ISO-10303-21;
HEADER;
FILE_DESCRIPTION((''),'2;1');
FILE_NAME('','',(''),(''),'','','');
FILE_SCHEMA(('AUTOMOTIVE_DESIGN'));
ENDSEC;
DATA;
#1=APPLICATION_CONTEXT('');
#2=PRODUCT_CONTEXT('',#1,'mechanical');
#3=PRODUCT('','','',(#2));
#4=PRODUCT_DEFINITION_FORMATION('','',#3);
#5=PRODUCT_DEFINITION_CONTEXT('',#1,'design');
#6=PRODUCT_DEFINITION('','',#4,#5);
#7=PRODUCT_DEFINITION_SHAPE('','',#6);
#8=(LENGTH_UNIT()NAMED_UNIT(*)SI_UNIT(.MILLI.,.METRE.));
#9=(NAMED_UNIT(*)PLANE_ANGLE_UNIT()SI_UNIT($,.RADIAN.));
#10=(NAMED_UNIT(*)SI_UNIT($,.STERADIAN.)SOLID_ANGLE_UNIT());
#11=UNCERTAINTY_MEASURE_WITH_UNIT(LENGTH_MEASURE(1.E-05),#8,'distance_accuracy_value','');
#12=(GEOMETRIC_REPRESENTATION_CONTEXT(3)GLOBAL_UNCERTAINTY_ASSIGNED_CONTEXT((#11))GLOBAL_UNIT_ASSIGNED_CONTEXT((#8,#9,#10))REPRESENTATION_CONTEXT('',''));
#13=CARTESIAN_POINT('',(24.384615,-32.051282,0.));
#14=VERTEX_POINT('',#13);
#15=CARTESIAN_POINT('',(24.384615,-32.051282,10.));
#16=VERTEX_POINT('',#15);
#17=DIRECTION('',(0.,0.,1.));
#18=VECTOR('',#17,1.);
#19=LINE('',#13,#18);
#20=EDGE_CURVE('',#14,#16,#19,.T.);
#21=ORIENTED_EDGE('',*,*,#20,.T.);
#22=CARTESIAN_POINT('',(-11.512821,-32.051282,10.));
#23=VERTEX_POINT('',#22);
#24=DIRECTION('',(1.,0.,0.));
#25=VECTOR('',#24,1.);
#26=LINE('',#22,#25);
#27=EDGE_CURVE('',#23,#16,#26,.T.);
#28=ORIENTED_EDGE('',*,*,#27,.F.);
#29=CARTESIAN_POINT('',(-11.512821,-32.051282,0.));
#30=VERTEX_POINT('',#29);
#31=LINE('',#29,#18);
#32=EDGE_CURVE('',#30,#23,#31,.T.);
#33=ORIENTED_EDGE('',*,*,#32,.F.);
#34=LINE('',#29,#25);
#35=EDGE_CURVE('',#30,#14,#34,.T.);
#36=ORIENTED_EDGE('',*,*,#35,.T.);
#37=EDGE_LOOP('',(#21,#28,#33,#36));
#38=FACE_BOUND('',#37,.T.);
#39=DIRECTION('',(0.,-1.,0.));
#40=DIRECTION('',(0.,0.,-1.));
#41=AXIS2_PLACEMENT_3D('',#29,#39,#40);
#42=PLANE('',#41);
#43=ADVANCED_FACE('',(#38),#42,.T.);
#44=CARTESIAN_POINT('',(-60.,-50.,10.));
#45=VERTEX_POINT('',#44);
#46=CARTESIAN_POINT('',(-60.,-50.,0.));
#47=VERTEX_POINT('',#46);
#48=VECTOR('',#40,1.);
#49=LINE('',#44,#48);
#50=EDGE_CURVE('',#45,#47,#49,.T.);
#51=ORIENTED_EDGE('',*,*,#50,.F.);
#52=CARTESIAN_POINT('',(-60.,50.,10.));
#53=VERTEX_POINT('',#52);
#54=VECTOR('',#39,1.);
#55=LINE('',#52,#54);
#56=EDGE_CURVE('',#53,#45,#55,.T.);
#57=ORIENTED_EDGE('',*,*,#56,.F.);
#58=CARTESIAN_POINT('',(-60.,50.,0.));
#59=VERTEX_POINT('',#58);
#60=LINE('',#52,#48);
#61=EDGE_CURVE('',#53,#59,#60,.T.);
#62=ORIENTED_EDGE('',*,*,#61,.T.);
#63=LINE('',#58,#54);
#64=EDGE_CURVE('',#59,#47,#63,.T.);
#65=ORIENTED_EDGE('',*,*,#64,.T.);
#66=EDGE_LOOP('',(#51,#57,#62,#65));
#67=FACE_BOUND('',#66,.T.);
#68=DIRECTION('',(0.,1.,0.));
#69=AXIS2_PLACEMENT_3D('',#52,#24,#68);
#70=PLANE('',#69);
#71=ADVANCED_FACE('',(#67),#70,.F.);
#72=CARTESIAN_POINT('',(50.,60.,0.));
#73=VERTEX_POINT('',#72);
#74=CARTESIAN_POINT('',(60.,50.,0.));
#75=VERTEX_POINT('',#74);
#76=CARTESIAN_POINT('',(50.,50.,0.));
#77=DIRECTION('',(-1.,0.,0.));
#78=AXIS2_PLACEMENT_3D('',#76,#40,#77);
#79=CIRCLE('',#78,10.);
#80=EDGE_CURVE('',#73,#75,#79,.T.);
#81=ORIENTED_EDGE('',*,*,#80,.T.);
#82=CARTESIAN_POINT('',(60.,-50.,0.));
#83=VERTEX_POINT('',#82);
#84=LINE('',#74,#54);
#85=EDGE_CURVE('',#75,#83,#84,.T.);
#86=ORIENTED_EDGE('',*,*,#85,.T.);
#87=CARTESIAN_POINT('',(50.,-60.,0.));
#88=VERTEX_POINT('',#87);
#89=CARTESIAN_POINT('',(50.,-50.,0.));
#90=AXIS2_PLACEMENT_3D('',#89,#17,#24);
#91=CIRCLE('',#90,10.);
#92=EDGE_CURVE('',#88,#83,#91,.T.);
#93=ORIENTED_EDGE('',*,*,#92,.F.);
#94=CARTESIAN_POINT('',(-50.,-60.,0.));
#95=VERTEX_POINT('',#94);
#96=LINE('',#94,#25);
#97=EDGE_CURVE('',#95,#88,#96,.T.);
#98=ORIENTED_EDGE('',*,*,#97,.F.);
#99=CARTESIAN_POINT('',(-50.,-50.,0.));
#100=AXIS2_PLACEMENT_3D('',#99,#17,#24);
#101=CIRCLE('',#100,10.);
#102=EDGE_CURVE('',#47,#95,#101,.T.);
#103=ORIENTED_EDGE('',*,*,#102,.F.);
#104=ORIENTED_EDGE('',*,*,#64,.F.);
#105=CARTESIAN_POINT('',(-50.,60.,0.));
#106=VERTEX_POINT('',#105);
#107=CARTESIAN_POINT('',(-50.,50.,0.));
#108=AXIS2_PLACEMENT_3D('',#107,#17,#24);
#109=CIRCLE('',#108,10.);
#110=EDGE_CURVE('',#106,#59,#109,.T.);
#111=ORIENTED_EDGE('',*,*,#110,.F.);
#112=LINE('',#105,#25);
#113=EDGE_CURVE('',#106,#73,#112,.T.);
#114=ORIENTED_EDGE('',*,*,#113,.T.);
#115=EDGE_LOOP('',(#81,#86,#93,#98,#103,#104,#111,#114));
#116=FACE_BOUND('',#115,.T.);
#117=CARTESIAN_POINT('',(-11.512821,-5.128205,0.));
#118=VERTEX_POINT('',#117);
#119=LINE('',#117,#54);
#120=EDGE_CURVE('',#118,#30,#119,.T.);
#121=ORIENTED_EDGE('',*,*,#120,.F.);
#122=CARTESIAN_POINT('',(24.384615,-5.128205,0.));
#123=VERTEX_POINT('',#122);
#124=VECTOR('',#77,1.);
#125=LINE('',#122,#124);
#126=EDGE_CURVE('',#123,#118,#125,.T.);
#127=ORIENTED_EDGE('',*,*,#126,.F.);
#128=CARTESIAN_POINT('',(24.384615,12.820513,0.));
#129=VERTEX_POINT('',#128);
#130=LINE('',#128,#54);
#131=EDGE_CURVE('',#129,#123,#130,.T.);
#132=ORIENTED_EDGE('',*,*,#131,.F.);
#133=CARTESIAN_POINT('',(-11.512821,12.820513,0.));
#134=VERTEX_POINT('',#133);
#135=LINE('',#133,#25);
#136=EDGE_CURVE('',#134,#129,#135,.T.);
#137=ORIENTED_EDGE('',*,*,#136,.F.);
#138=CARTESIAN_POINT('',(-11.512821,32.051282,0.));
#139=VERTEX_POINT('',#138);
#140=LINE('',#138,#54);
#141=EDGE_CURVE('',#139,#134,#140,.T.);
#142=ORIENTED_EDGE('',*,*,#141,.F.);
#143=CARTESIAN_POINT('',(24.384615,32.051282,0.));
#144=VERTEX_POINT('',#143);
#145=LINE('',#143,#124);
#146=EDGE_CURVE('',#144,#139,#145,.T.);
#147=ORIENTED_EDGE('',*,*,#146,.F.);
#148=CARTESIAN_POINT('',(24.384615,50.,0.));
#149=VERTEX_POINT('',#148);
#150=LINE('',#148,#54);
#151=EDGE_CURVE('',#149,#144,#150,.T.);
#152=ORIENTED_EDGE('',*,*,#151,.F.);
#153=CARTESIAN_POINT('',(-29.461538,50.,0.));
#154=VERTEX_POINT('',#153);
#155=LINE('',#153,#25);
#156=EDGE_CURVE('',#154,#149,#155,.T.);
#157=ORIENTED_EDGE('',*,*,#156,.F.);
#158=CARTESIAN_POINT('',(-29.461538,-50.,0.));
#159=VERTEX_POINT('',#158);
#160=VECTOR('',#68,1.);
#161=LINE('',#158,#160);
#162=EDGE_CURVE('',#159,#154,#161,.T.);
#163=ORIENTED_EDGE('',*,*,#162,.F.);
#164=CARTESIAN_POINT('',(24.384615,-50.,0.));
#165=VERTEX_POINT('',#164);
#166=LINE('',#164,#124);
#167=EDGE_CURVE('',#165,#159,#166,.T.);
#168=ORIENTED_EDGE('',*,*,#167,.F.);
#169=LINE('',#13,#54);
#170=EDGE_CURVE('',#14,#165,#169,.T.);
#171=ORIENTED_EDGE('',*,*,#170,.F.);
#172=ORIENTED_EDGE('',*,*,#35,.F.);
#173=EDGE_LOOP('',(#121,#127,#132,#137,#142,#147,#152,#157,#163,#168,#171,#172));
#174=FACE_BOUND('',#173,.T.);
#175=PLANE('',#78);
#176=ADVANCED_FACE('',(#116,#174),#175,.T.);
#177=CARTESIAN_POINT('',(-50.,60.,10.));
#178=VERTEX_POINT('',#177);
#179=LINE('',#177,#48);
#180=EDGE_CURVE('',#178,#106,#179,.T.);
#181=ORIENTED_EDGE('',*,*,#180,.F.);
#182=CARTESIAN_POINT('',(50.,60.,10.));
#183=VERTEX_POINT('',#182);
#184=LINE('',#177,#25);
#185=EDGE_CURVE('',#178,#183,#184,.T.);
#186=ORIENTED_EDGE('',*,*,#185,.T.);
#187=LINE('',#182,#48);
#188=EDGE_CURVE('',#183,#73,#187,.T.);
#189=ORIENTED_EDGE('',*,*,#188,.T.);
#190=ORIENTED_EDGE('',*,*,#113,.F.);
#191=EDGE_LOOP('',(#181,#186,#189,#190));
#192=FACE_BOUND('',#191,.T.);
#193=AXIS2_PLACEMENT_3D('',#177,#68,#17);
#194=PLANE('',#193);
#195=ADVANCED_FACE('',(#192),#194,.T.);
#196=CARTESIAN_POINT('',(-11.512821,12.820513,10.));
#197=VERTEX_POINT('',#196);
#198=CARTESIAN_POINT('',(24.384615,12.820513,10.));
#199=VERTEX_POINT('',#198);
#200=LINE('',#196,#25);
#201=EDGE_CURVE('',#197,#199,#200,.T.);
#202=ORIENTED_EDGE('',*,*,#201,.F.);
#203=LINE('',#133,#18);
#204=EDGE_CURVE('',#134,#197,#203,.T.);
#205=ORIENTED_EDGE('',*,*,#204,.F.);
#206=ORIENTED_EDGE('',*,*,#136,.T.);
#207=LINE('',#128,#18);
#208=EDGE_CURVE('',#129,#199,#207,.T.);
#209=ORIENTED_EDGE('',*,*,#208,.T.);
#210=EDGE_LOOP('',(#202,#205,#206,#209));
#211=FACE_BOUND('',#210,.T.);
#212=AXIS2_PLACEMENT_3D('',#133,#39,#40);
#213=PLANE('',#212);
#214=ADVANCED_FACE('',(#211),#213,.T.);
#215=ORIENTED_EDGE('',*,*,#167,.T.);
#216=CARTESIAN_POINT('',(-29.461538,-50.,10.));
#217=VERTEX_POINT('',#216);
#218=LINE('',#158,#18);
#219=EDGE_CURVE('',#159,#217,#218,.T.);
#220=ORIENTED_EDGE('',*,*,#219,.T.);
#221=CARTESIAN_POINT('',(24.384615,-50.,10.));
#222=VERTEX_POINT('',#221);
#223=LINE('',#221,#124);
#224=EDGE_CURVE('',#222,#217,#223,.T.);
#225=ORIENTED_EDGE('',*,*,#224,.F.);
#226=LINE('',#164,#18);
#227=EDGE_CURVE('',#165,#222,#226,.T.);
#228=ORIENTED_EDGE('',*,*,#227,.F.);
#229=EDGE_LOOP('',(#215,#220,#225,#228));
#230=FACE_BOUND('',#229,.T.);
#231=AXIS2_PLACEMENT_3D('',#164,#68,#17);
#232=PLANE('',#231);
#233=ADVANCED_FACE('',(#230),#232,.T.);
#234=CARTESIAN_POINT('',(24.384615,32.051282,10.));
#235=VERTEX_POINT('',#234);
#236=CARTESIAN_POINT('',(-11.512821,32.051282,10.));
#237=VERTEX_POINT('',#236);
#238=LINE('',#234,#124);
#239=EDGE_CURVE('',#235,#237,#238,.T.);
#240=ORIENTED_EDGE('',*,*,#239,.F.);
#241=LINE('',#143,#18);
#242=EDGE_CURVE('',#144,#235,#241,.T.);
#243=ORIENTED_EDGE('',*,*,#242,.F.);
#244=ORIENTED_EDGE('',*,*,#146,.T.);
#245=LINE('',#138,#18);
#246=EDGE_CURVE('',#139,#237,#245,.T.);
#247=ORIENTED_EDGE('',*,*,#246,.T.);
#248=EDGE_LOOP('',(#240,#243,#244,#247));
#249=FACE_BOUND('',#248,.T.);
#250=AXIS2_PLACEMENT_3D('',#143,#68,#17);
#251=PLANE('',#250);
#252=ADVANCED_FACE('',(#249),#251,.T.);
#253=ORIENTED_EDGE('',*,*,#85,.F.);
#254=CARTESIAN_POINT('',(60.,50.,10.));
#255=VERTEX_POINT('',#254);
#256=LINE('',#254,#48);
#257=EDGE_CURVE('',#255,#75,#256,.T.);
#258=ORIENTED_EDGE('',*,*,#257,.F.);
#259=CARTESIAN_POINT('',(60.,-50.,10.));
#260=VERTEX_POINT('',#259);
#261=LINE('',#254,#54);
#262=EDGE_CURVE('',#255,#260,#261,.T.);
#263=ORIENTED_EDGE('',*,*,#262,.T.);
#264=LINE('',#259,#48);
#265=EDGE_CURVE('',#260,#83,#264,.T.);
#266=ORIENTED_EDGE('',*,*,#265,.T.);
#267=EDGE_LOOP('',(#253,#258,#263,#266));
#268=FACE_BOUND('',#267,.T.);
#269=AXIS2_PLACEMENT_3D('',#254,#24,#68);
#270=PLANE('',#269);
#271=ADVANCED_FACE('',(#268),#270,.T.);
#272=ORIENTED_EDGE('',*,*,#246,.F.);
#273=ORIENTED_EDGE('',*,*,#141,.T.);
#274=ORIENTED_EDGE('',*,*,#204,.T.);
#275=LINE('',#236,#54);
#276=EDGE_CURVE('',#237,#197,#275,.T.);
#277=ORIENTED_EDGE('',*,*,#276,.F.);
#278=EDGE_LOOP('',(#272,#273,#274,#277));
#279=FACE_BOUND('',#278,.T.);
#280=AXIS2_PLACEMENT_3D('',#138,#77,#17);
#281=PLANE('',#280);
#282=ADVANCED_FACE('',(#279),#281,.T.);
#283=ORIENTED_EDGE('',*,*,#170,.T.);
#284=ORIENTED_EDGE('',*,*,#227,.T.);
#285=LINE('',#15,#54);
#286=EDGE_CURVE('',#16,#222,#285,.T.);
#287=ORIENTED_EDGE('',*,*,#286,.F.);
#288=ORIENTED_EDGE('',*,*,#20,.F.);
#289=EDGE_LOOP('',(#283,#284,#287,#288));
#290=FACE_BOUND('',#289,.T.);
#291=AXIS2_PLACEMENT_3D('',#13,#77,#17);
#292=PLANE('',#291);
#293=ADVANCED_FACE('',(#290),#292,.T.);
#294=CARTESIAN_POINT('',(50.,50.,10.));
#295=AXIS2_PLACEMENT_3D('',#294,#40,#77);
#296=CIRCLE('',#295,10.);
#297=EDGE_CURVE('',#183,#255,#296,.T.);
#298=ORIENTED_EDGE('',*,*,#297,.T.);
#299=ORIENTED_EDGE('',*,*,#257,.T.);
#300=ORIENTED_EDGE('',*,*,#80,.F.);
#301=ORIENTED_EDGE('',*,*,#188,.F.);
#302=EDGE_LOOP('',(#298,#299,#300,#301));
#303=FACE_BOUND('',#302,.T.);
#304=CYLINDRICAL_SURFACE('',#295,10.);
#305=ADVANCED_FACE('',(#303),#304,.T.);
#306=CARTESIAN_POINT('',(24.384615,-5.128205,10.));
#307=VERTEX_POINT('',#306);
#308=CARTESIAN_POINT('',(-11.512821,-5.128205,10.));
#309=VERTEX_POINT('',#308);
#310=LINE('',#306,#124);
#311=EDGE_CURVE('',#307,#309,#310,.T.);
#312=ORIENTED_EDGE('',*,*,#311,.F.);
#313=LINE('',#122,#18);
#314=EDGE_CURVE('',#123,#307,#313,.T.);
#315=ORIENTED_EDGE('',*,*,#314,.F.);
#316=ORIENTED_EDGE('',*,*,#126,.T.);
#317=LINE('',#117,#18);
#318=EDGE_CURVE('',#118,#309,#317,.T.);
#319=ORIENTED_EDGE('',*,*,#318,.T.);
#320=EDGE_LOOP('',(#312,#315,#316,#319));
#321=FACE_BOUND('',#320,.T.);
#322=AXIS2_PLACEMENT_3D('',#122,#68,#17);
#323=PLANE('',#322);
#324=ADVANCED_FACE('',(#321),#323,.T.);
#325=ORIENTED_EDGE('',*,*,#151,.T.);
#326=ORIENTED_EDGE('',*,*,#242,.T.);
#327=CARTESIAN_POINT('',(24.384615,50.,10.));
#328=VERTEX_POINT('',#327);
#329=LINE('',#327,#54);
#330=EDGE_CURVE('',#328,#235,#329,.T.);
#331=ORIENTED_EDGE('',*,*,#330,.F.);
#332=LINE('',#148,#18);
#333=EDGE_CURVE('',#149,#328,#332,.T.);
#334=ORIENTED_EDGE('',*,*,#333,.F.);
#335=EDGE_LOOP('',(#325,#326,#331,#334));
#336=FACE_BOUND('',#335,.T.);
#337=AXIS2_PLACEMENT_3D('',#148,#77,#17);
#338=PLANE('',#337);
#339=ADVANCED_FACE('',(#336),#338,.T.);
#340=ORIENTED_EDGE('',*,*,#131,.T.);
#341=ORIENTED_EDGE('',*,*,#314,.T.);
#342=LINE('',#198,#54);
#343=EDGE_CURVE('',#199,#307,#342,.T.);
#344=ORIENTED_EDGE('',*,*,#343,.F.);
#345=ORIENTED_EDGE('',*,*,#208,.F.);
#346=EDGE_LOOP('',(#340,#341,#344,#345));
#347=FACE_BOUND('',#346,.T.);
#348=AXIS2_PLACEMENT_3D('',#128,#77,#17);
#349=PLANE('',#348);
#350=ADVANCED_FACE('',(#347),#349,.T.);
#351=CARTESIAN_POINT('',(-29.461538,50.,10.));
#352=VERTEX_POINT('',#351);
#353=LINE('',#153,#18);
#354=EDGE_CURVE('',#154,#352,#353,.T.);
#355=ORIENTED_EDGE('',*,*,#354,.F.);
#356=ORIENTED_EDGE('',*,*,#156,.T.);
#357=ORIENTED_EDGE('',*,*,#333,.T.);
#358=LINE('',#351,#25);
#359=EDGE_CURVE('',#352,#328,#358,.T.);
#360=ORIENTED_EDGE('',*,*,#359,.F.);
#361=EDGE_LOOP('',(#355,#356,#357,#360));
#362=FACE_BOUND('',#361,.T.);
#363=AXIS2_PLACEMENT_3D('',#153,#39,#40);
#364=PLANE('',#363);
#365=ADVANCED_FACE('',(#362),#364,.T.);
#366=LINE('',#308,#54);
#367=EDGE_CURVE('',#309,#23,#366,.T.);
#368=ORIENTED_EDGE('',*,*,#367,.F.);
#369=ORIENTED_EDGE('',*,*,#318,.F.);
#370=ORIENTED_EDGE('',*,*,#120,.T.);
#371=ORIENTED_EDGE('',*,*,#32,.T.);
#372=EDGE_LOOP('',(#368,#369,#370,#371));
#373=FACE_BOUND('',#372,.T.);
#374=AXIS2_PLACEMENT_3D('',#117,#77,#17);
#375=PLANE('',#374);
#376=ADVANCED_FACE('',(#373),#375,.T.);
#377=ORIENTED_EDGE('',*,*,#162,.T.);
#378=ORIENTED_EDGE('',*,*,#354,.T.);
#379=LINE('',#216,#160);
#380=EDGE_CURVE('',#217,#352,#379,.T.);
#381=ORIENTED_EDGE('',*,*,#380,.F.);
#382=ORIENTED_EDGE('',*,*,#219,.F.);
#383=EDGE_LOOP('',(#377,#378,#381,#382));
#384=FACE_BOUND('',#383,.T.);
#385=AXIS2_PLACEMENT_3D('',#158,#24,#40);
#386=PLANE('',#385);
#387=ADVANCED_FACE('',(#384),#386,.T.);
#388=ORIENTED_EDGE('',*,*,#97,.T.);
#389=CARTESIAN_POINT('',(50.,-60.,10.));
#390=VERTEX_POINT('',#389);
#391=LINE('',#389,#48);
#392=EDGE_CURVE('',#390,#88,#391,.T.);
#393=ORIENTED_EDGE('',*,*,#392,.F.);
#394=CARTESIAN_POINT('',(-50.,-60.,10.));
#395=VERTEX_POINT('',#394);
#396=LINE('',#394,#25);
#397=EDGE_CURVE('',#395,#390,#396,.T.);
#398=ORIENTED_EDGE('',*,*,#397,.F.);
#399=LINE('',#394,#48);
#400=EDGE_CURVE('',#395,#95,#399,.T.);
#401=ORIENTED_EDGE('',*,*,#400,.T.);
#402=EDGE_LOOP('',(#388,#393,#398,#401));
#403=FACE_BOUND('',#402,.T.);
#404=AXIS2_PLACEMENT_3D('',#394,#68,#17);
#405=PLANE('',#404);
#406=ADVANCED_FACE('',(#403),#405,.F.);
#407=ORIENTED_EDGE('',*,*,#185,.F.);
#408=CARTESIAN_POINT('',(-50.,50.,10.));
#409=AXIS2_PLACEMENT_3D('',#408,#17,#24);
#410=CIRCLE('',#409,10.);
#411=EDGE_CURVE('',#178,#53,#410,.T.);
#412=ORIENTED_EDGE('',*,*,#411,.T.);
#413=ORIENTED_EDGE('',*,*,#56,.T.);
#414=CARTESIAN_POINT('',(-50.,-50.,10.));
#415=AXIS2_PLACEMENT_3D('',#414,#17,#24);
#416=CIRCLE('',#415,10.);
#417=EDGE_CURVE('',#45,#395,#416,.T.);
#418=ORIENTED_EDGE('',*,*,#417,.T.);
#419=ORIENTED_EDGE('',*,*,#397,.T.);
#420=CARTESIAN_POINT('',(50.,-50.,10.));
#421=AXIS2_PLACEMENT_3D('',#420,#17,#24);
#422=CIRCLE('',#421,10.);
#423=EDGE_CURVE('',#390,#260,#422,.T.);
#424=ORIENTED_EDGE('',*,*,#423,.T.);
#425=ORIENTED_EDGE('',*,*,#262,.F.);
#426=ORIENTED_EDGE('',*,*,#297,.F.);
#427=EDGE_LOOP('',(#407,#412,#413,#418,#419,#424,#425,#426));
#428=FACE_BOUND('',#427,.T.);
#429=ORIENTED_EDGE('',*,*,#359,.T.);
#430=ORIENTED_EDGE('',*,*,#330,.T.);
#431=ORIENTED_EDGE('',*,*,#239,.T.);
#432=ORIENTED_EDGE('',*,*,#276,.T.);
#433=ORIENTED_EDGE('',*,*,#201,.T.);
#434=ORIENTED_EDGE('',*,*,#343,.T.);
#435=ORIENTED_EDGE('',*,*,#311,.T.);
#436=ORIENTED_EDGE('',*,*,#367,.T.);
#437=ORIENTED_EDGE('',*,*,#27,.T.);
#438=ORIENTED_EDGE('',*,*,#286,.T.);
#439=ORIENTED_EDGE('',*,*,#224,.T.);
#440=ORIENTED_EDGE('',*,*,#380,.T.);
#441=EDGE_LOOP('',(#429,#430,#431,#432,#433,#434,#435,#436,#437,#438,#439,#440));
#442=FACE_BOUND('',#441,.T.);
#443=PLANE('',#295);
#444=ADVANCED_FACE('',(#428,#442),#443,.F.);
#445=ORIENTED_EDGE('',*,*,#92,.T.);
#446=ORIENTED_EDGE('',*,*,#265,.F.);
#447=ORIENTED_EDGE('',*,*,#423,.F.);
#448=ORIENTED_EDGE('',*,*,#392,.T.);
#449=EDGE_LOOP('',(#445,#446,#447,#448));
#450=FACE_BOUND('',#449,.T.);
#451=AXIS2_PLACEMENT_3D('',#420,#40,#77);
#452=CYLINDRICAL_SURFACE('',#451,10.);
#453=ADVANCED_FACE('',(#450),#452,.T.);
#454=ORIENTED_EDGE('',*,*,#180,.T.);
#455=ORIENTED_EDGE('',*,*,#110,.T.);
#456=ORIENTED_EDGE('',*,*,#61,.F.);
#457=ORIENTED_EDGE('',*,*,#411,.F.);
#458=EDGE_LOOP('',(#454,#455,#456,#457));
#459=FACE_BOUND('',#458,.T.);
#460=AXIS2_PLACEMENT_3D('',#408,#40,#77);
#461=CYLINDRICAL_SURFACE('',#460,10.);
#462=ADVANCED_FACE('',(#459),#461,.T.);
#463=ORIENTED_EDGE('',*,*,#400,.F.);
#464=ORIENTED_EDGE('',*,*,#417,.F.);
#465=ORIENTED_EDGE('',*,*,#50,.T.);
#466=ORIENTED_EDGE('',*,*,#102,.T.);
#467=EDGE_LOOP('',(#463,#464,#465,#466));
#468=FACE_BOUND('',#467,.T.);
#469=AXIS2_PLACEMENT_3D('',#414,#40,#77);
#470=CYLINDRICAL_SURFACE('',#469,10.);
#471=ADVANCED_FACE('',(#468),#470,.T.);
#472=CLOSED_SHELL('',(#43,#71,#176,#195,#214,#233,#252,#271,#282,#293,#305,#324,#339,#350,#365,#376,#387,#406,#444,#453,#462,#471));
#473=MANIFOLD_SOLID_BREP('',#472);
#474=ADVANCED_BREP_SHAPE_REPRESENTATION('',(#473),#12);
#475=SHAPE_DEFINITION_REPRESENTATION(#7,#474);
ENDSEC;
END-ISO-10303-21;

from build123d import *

# Parameters (mm, degrees)
BOSS_EXTRUDE1_DEPTH = 10
CUT_EXTRUDE18_DEPTH = 10


with BuildPart() as part:
    # Sketch1 → Boss-Extrude1 (new body)
    with BuildSketch(Plane.XY):
        with BuildLine():
            Line((-50, 60), (50, 60))
            ThreePointArc((50, 60), (57.071067812, 57.071067812), (60, 50))
            Line((60, 50), (60, -50))
            ThreePointArc((60, -50), (57.071067812, -57.071067812), (50, -60))
            Line((50, -60), (-50, -60))
            ThreePointArc((-50, -60), (-57.071067812, -57.071067812), (-60, -50))
            Line((-60, -50), (-60, 50))
            ThreePointArc((-60, 50), (-57.071067812, 57.071067812), (-50, 60))
        make_face()
    extrude(amount=BOSS_EXTRUDE1_DEPTH)

    # Sketch2 → Cut-Extrude18 (cut)
    with BuildSketch(Plane.XY.offset(10)):
        Polygon((-29.461538462, 50), (24.384615385, 50), (24.384615385, 32.051282051), (-11.512820513, 32.051282051), (-11.512820513, 12.820512821), (24.384615385, 12.820512821), (24.384615385, -5.128205128), (-11.512820513, -5.128205128), (-11.512820513, -32.051282051), (24.384615385, -32.051282051), (24.384615385, -50), (-29.461538462, -50), align=None)
    extrude(amount=-CUT_EXTRUDE18_DEPTH, mode=Mode.SUBTRACT)


solid = part.part
